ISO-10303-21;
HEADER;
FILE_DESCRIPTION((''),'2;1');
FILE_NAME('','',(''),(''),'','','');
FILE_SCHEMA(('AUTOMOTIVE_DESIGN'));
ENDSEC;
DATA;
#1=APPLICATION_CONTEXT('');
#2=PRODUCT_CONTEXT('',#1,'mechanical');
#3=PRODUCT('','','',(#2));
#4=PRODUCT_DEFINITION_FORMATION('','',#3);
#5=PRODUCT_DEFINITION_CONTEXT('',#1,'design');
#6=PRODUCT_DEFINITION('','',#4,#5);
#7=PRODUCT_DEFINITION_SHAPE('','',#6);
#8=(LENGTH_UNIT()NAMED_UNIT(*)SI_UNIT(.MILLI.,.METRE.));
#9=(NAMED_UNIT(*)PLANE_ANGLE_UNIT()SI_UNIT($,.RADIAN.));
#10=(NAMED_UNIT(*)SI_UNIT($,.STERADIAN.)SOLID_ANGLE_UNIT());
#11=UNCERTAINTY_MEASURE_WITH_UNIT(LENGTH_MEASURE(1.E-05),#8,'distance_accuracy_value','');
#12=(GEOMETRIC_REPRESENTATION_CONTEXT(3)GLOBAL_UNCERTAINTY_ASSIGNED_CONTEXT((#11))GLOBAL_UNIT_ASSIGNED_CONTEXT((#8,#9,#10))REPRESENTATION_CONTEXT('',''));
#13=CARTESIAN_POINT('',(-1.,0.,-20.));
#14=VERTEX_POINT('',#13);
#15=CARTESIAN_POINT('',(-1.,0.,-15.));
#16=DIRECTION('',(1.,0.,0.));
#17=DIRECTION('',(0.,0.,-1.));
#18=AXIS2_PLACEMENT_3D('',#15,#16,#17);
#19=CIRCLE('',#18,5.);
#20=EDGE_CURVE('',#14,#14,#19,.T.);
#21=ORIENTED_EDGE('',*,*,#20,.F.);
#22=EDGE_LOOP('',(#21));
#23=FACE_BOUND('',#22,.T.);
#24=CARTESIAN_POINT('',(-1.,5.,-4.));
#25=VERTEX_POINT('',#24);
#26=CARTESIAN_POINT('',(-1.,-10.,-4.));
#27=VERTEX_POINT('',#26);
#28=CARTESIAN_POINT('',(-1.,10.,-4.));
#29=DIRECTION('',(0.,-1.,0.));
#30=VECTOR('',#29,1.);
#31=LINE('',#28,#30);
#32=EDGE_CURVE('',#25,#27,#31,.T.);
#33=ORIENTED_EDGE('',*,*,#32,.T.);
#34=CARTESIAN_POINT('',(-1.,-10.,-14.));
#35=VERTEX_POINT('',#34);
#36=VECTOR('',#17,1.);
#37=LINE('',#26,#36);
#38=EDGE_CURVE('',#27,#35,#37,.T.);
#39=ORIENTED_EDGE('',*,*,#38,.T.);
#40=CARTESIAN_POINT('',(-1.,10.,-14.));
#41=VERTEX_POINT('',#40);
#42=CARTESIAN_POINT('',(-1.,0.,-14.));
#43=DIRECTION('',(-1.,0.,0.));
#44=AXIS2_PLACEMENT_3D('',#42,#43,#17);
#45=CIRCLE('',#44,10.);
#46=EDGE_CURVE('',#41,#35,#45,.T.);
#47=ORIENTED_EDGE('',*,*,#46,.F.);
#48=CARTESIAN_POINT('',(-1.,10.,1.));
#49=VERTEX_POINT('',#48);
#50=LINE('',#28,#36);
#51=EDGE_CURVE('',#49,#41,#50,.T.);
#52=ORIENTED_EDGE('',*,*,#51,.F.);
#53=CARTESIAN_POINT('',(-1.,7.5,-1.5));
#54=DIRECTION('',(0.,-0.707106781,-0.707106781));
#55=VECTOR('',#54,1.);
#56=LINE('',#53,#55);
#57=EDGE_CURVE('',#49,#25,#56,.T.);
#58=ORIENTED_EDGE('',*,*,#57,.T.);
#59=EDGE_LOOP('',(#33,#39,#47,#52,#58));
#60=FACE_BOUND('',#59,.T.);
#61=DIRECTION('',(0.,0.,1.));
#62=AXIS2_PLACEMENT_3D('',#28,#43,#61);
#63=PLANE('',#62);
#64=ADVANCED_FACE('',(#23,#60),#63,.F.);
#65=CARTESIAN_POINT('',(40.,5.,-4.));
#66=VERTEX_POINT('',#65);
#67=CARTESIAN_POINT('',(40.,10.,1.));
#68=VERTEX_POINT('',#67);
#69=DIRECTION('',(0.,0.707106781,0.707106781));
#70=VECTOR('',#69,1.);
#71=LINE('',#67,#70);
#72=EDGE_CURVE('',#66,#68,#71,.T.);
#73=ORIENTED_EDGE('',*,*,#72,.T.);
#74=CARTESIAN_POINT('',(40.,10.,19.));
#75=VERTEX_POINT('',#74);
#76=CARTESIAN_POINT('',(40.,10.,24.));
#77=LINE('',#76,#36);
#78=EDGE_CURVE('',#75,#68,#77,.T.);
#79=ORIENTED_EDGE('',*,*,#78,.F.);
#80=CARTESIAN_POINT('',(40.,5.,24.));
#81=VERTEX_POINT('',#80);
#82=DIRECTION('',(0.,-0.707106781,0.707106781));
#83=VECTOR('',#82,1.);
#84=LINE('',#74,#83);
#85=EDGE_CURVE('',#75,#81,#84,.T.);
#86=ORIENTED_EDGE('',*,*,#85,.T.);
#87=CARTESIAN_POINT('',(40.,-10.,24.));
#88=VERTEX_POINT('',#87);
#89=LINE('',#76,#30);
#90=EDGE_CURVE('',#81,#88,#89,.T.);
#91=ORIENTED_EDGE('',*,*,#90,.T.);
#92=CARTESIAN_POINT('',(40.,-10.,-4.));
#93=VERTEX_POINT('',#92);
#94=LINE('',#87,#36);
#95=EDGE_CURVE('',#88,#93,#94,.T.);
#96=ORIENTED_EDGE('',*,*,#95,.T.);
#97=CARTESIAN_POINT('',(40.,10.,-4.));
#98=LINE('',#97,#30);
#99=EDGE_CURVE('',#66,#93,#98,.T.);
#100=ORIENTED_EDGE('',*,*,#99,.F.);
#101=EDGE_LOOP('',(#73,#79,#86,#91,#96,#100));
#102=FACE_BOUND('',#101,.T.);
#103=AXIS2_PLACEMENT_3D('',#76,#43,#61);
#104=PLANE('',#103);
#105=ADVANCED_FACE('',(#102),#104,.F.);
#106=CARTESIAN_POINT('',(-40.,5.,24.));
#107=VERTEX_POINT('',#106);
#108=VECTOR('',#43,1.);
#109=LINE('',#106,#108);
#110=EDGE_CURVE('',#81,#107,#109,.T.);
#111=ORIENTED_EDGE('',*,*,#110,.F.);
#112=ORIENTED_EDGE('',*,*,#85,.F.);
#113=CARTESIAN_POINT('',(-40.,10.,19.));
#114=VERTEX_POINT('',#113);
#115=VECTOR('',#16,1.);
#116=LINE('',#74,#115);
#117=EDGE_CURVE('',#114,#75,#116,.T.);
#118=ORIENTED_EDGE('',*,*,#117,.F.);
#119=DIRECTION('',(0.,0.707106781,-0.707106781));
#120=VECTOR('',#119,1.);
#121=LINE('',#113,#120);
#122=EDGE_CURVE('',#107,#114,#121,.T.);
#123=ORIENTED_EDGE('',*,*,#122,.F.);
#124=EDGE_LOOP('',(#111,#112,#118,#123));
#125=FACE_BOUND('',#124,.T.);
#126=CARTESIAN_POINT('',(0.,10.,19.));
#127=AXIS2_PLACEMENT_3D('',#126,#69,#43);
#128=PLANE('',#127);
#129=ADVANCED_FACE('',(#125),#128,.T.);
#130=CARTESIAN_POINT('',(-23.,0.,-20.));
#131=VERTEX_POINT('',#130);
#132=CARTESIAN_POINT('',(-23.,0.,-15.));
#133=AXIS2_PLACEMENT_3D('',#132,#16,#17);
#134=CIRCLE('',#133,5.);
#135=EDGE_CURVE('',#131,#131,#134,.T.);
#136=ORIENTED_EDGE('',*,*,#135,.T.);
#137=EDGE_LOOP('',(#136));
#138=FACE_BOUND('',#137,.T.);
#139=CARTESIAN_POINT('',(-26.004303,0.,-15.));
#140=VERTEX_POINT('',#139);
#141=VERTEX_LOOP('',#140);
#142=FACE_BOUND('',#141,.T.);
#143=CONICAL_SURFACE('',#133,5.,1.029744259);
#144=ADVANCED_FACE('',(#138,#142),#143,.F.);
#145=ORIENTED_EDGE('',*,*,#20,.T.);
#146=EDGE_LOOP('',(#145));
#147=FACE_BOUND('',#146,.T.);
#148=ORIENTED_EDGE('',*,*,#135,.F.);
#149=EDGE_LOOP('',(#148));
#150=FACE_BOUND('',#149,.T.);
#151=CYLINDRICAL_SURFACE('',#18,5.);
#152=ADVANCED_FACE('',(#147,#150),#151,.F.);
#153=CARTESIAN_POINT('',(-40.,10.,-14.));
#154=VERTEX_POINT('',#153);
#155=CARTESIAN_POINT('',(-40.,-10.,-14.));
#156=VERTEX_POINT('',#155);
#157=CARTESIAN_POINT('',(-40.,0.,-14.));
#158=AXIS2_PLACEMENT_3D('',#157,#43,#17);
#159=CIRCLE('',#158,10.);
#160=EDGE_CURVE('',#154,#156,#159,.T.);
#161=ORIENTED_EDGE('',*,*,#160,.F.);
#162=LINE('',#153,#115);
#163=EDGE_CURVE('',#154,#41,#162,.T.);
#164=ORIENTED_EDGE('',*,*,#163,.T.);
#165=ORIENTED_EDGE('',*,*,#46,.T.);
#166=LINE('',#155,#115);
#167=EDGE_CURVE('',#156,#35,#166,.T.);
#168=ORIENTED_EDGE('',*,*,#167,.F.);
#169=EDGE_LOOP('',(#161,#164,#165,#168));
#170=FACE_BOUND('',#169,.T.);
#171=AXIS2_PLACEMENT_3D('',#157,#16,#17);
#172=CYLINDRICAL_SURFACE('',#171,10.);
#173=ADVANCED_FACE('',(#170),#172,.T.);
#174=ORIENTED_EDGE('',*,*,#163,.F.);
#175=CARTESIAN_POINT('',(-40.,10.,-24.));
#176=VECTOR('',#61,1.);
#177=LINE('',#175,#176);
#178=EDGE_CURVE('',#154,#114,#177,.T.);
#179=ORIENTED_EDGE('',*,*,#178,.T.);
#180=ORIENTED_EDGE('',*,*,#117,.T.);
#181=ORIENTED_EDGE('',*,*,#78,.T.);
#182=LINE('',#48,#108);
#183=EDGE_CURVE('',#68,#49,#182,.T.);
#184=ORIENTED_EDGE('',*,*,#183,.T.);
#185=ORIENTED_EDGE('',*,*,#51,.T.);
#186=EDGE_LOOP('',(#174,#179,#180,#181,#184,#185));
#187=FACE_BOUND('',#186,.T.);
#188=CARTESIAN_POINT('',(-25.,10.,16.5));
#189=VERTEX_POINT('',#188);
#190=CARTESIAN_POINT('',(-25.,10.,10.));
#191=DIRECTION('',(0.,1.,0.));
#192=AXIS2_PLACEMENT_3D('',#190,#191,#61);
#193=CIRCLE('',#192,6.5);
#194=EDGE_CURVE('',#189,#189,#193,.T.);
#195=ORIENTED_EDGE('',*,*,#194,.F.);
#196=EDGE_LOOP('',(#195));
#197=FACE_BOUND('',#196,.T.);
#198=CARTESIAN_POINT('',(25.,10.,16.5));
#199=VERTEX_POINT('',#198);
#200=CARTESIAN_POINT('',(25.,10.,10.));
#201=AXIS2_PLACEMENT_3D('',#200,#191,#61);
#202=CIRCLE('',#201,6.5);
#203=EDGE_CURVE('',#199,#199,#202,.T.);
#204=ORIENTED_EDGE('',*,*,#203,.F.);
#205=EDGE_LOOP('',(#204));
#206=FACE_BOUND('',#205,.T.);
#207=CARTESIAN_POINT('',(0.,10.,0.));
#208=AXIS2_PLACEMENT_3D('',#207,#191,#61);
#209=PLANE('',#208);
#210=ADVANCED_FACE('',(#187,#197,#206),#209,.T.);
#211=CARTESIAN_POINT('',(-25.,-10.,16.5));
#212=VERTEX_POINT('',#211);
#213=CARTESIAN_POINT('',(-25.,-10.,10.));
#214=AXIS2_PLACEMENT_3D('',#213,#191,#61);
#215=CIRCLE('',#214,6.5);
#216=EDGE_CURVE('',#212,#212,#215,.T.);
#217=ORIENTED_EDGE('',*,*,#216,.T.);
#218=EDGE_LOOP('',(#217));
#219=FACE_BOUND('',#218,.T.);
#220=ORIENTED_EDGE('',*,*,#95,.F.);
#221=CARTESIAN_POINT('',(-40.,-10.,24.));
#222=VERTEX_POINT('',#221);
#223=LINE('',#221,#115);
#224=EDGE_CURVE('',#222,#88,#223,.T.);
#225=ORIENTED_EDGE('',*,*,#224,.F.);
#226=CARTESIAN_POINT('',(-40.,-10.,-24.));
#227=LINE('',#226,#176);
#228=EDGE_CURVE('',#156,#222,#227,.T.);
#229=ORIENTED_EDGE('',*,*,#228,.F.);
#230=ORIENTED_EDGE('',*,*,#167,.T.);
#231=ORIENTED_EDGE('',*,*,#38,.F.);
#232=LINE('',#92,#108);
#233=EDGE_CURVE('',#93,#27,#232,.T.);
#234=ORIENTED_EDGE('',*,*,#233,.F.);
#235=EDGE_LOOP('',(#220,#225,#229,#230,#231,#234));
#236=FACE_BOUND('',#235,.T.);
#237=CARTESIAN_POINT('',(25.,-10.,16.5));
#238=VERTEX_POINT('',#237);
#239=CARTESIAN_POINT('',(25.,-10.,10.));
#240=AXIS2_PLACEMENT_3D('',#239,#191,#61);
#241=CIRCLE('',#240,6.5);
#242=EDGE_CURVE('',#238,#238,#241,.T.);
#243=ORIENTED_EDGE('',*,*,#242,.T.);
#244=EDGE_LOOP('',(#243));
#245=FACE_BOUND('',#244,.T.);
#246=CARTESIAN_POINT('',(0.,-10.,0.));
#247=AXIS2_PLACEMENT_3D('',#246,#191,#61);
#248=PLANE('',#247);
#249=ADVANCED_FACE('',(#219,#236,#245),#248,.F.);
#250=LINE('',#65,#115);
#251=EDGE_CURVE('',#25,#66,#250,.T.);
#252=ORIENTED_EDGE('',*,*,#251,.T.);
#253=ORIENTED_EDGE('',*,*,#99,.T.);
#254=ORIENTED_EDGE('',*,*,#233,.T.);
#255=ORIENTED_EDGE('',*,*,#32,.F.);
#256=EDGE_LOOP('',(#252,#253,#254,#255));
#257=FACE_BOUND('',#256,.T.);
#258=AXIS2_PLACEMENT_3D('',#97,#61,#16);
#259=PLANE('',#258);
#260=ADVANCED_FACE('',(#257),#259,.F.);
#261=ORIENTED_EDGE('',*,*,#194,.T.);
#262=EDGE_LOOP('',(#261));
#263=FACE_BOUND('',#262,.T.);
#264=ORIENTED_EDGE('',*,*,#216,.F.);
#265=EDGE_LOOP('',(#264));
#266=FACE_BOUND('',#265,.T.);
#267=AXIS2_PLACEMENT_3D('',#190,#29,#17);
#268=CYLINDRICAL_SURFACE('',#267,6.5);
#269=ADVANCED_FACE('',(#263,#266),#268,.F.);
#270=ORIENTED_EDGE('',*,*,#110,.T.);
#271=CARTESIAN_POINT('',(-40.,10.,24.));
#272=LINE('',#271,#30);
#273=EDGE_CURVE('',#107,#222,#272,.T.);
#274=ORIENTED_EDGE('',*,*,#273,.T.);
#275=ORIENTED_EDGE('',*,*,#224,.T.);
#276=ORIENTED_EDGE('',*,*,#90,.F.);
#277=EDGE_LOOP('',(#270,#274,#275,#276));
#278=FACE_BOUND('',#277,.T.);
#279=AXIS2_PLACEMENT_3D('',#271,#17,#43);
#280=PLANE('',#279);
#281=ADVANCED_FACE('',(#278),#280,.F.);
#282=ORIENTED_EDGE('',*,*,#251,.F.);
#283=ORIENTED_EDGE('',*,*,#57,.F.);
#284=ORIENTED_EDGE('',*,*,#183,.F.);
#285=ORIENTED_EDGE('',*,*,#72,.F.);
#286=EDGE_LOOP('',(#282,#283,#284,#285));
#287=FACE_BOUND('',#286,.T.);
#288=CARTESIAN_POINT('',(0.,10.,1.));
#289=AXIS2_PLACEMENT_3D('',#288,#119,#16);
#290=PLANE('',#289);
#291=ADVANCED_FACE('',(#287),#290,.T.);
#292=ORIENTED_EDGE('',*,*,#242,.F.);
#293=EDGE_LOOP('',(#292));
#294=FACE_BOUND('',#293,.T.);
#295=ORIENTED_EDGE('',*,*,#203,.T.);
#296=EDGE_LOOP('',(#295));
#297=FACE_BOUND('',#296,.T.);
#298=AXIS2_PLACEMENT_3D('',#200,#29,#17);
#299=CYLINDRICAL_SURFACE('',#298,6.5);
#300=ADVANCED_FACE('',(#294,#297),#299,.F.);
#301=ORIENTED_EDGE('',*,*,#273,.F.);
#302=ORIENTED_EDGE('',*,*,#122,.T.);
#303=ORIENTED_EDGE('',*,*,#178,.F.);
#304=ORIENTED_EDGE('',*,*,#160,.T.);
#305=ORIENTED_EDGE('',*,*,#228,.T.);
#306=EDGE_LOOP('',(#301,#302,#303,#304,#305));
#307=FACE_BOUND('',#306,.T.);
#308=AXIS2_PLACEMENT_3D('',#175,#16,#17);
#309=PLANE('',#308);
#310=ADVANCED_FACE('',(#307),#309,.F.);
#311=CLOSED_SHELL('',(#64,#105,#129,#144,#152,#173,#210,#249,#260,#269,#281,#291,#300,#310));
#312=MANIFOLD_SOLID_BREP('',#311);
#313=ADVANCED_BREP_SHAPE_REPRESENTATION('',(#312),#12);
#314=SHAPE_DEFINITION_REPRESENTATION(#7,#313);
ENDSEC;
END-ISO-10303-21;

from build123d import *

# Parameters (mm, degrees)
SKIZZE1_R                       = 6.5
AUFSATZ_LINEAR_AUSTRAGEN1_DEPTH = 10
F_10_0MM_STIFTLOCH1_D           = 10
F_10_0MM_STIFTLOCH1_DEPTH       = 22
F_10_0MM_STIFTLOCH1_TIP         = 3.004303095
SCHNITT_LINEAR_AUSTRAGEN2_DEPTH = 49.548944376
FASE1_SIZE                      = 5


with BuildPart() as part:
    # Skizze1 → Aufsatz-Linear austragen1 (new, symmetric)
    with BuildSketch(Plane(origin=(0, 0, 0), x_dir=(1, 0, 0), z_dir=(0, 1, 0))):
        Polygon((-40, -24), (40, -24), (40, 4), (-1, 4), (-1, 24), (-40, 24), align=None)
        with Locations(Location((-25, -10, 0), (0, 0, 270))):
            Circle(SKIZZE1_R, mode=Mode.SUBTRACT)
        with Locations(Location((25, -10, 0), (0, 0, 270))):
            Circle(SKIZZE1_R, mode=Mode.SUBTRACT)
    extrude(amount=AUFSATZ_LINEAR_AUSTRAGEN1_DEPTH, both=True)

    # Ø10.0mm Stiftloch1
    with Locations(Plane(origin=(-1, 0, 0), x_dir=(0, 0, -1), z_dir=(1, 0, 0))):
        with Locations((15, 0)):
            Hole(F_10_0MM_STIFTLOCH1_D / 2, depth=F_10_0MM_STIFTLOCH1_DEPTH)
            with Locations((0, 0, -(F_10_0MM_STIFTLOCH1_DEPTH + F_10_0MM_STIFTLOCH1_TIP / 2))):  # 118° drill point
                Cone(0, F_10_0MM_STIFTLOCH1_D / 2, F_10_0MM_STIFTLOCH1_TIP, mode=Mode.SUBTRACT)

    # Skizze5 → Schnitt-Linear austragen2 (cut, through all)
    with BuildSketch(Plane(origin=(-1, 0, 0), x_dir=(0, 0, -1), z_dir=(1, 0, 0))):
        with BuildLine():
            Line((14, 10), (26, 10))
            Line((26, 10), (26, -10))
            Line((26, -10), (14, -10))
            ThreePointArc((14, -10), (24, 0), (14, 10))
        make_face()
    extrude(amount=-SCHNITT_LINEAR_AUSTRAGEN2_DEPTH, mode=Mode.SUBTRACT)

    # Fase1
    fase1_edges = [part.edges().sort_by_distance(p)[0] for p in [
        (19.5, 10, -4),
        (0, 10, 24),
    ]]
    chamfer(fase1_edges, length=FASE1_SIZE)


solid = part.part
